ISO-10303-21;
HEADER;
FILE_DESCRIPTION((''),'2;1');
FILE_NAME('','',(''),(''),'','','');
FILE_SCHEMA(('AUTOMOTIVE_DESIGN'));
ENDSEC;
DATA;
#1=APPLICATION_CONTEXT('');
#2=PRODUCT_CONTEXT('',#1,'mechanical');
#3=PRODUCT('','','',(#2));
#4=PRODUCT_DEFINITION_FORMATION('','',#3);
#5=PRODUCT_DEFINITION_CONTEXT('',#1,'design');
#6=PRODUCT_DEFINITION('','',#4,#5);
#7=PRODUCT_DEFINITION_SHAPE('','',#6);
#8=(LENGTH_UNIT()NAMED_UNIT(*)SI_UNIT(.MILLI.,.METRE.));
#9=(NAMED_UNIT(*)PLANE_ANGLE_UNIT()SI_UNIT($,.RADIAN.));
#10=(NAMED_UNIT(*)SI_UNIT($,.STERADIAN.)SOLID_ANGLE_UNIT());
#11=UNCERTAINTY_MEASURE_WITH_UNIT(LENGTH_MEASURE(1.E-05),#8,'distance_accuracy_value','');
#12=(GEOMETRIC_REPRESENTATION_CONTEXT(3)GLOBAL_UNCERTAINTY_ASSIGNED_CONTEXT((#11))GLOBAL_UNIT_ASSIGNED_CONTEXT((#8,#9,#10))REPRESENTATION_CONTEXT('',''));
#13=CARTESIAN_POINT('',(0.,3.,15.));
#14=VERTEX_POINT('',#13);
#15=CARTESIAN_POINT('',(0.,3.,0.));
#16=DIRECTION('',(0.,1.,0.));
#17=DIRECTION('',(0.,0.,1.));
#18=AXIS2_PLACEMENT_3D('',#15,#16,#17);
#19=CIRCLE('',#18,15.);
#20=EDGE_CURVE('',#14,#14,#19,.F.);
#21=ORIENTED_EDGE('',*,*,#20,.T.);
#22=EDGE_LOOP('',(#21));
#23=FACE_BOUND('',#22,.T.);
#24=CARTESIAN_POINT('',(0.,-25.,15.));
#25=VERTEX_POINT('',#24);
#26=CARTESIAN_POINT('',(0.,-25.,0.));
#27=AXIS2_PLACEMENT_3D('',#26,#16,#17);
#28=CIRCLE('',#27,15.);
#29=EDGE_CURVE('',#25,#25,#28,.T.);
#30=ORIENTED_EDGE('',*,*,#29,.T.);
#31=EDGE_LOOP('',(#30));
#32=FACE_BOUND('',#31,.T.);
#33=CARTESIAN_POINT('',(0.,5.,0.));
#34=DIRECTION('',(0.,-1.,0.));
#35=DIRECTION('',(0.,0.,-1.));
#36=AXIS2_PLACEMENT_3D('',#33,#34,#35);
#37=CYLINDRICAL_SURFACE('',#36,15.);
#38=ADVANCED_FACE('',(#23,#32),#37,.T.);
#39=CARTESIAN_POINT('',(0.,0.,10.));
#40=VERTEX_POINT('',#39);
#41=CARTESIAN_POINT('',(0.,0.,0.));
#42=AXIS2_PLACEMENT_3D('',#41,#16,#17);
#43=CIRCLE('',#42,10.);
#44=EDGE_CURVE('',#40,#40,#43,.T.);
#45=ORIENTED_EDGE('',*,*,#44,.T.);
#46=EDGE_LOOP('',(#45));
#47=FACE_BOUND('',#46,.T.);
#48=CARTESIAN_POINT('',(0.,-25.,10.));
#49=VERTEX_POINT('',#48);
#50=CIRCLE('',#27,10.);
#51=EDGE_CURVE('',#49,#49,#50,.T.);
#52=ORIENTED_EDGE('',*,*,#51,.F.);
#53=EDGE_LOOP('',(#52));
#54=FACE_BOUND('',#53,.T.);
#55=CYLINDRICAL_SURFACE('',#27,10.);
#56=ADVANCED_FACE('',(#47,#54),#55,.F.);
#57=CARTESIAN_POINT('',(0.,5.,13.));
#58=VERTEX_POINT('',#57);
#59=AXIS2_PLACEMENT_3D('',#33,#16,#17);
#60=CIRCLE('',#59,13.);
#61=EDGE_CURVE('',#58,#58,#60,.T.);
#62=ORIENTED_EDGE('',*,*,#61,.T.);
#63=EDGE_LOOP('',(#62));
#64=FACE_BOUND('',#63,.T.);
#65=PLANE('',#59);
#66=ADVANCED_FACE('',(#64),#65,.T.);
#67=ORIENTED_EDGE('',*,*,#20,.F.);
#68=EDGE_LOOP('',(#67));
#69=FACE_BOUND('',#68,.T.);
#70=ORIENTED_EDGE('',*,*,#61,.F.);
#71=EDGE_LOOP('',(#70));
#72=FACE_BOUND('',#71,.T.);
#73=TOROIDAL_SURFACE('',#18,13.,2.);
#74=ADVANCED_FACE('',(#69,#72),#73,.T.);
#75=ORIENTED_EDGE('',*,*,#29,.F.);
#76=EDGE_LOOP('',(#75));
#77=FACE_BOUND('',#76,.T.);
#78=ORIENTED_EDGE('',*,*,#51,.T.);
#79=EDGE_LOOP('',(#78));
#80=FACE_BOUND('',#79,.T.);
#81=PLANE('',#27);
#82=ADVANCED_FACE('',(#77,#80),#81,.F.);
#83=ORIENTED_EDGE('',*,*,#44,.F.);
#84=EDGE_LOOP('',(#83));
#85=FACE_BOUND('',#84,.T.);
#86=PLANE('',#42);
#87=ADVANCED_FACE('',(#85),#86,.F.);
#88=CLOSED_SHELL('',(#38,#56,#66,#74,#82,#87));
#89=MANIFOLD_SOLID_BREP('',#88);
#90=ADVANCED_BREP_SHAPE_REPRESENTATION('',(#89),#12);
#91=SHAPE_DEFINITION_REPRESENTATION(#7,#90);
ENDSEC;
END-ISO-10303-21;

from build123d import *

# Parameters (mm, degrees)
SKETCH_1_R      = 15
EXTRUDE_1_DEPTH = 5
EXTRUDE_START   = -25
SKETCH_3_R      = 15
SKETCH_3_R_2    = 10
EXTRUDE_2_DEPTH = 25
FILLET_1_R      = 2


with BuildPart() as part:
    # 草图1 → 凸台-拉伸1 (new body)
    with BuildSketch(Plane(origin=(0, 0, 0), x_dir=(1, 0, 0), z_dir=(0, 1, 0))):
        with Locations(Location((0, 0, 0), (0, 0, 270))):
            Circle(SKETCH_1_R)
    extrude(amount=EXTRUDE_1_DEPTH)

    # 草图3 → 凸台-拉伸2 (add)
    with BuildSketch(Plane(origin=(0, 0, 0), x_dir=(1, 0, 0), z_dir=(0, 1, 0)).offset(EXTRUDE_START)):
        with Locations(Location((0, 0, 0), (0, 0, 270))):
            Circle(SKETCH_3_R)
        with Locations(Location((0, 0, 0), (0, 0, 270))):
            Circle(SKETCH_3_R_2, mode=Mode.SUBTRACT)
    extrude(amount=EXTRUDE_2_DEPTH)

    # 圆角1
    fillet_1_edges = [part.edges().sort_by_distance(p)[0] for p in [
        (0, 5, -15),
    ]]
    fillet(fillet_1_edges, radius=FILLET_1_R)


solid = part.part
